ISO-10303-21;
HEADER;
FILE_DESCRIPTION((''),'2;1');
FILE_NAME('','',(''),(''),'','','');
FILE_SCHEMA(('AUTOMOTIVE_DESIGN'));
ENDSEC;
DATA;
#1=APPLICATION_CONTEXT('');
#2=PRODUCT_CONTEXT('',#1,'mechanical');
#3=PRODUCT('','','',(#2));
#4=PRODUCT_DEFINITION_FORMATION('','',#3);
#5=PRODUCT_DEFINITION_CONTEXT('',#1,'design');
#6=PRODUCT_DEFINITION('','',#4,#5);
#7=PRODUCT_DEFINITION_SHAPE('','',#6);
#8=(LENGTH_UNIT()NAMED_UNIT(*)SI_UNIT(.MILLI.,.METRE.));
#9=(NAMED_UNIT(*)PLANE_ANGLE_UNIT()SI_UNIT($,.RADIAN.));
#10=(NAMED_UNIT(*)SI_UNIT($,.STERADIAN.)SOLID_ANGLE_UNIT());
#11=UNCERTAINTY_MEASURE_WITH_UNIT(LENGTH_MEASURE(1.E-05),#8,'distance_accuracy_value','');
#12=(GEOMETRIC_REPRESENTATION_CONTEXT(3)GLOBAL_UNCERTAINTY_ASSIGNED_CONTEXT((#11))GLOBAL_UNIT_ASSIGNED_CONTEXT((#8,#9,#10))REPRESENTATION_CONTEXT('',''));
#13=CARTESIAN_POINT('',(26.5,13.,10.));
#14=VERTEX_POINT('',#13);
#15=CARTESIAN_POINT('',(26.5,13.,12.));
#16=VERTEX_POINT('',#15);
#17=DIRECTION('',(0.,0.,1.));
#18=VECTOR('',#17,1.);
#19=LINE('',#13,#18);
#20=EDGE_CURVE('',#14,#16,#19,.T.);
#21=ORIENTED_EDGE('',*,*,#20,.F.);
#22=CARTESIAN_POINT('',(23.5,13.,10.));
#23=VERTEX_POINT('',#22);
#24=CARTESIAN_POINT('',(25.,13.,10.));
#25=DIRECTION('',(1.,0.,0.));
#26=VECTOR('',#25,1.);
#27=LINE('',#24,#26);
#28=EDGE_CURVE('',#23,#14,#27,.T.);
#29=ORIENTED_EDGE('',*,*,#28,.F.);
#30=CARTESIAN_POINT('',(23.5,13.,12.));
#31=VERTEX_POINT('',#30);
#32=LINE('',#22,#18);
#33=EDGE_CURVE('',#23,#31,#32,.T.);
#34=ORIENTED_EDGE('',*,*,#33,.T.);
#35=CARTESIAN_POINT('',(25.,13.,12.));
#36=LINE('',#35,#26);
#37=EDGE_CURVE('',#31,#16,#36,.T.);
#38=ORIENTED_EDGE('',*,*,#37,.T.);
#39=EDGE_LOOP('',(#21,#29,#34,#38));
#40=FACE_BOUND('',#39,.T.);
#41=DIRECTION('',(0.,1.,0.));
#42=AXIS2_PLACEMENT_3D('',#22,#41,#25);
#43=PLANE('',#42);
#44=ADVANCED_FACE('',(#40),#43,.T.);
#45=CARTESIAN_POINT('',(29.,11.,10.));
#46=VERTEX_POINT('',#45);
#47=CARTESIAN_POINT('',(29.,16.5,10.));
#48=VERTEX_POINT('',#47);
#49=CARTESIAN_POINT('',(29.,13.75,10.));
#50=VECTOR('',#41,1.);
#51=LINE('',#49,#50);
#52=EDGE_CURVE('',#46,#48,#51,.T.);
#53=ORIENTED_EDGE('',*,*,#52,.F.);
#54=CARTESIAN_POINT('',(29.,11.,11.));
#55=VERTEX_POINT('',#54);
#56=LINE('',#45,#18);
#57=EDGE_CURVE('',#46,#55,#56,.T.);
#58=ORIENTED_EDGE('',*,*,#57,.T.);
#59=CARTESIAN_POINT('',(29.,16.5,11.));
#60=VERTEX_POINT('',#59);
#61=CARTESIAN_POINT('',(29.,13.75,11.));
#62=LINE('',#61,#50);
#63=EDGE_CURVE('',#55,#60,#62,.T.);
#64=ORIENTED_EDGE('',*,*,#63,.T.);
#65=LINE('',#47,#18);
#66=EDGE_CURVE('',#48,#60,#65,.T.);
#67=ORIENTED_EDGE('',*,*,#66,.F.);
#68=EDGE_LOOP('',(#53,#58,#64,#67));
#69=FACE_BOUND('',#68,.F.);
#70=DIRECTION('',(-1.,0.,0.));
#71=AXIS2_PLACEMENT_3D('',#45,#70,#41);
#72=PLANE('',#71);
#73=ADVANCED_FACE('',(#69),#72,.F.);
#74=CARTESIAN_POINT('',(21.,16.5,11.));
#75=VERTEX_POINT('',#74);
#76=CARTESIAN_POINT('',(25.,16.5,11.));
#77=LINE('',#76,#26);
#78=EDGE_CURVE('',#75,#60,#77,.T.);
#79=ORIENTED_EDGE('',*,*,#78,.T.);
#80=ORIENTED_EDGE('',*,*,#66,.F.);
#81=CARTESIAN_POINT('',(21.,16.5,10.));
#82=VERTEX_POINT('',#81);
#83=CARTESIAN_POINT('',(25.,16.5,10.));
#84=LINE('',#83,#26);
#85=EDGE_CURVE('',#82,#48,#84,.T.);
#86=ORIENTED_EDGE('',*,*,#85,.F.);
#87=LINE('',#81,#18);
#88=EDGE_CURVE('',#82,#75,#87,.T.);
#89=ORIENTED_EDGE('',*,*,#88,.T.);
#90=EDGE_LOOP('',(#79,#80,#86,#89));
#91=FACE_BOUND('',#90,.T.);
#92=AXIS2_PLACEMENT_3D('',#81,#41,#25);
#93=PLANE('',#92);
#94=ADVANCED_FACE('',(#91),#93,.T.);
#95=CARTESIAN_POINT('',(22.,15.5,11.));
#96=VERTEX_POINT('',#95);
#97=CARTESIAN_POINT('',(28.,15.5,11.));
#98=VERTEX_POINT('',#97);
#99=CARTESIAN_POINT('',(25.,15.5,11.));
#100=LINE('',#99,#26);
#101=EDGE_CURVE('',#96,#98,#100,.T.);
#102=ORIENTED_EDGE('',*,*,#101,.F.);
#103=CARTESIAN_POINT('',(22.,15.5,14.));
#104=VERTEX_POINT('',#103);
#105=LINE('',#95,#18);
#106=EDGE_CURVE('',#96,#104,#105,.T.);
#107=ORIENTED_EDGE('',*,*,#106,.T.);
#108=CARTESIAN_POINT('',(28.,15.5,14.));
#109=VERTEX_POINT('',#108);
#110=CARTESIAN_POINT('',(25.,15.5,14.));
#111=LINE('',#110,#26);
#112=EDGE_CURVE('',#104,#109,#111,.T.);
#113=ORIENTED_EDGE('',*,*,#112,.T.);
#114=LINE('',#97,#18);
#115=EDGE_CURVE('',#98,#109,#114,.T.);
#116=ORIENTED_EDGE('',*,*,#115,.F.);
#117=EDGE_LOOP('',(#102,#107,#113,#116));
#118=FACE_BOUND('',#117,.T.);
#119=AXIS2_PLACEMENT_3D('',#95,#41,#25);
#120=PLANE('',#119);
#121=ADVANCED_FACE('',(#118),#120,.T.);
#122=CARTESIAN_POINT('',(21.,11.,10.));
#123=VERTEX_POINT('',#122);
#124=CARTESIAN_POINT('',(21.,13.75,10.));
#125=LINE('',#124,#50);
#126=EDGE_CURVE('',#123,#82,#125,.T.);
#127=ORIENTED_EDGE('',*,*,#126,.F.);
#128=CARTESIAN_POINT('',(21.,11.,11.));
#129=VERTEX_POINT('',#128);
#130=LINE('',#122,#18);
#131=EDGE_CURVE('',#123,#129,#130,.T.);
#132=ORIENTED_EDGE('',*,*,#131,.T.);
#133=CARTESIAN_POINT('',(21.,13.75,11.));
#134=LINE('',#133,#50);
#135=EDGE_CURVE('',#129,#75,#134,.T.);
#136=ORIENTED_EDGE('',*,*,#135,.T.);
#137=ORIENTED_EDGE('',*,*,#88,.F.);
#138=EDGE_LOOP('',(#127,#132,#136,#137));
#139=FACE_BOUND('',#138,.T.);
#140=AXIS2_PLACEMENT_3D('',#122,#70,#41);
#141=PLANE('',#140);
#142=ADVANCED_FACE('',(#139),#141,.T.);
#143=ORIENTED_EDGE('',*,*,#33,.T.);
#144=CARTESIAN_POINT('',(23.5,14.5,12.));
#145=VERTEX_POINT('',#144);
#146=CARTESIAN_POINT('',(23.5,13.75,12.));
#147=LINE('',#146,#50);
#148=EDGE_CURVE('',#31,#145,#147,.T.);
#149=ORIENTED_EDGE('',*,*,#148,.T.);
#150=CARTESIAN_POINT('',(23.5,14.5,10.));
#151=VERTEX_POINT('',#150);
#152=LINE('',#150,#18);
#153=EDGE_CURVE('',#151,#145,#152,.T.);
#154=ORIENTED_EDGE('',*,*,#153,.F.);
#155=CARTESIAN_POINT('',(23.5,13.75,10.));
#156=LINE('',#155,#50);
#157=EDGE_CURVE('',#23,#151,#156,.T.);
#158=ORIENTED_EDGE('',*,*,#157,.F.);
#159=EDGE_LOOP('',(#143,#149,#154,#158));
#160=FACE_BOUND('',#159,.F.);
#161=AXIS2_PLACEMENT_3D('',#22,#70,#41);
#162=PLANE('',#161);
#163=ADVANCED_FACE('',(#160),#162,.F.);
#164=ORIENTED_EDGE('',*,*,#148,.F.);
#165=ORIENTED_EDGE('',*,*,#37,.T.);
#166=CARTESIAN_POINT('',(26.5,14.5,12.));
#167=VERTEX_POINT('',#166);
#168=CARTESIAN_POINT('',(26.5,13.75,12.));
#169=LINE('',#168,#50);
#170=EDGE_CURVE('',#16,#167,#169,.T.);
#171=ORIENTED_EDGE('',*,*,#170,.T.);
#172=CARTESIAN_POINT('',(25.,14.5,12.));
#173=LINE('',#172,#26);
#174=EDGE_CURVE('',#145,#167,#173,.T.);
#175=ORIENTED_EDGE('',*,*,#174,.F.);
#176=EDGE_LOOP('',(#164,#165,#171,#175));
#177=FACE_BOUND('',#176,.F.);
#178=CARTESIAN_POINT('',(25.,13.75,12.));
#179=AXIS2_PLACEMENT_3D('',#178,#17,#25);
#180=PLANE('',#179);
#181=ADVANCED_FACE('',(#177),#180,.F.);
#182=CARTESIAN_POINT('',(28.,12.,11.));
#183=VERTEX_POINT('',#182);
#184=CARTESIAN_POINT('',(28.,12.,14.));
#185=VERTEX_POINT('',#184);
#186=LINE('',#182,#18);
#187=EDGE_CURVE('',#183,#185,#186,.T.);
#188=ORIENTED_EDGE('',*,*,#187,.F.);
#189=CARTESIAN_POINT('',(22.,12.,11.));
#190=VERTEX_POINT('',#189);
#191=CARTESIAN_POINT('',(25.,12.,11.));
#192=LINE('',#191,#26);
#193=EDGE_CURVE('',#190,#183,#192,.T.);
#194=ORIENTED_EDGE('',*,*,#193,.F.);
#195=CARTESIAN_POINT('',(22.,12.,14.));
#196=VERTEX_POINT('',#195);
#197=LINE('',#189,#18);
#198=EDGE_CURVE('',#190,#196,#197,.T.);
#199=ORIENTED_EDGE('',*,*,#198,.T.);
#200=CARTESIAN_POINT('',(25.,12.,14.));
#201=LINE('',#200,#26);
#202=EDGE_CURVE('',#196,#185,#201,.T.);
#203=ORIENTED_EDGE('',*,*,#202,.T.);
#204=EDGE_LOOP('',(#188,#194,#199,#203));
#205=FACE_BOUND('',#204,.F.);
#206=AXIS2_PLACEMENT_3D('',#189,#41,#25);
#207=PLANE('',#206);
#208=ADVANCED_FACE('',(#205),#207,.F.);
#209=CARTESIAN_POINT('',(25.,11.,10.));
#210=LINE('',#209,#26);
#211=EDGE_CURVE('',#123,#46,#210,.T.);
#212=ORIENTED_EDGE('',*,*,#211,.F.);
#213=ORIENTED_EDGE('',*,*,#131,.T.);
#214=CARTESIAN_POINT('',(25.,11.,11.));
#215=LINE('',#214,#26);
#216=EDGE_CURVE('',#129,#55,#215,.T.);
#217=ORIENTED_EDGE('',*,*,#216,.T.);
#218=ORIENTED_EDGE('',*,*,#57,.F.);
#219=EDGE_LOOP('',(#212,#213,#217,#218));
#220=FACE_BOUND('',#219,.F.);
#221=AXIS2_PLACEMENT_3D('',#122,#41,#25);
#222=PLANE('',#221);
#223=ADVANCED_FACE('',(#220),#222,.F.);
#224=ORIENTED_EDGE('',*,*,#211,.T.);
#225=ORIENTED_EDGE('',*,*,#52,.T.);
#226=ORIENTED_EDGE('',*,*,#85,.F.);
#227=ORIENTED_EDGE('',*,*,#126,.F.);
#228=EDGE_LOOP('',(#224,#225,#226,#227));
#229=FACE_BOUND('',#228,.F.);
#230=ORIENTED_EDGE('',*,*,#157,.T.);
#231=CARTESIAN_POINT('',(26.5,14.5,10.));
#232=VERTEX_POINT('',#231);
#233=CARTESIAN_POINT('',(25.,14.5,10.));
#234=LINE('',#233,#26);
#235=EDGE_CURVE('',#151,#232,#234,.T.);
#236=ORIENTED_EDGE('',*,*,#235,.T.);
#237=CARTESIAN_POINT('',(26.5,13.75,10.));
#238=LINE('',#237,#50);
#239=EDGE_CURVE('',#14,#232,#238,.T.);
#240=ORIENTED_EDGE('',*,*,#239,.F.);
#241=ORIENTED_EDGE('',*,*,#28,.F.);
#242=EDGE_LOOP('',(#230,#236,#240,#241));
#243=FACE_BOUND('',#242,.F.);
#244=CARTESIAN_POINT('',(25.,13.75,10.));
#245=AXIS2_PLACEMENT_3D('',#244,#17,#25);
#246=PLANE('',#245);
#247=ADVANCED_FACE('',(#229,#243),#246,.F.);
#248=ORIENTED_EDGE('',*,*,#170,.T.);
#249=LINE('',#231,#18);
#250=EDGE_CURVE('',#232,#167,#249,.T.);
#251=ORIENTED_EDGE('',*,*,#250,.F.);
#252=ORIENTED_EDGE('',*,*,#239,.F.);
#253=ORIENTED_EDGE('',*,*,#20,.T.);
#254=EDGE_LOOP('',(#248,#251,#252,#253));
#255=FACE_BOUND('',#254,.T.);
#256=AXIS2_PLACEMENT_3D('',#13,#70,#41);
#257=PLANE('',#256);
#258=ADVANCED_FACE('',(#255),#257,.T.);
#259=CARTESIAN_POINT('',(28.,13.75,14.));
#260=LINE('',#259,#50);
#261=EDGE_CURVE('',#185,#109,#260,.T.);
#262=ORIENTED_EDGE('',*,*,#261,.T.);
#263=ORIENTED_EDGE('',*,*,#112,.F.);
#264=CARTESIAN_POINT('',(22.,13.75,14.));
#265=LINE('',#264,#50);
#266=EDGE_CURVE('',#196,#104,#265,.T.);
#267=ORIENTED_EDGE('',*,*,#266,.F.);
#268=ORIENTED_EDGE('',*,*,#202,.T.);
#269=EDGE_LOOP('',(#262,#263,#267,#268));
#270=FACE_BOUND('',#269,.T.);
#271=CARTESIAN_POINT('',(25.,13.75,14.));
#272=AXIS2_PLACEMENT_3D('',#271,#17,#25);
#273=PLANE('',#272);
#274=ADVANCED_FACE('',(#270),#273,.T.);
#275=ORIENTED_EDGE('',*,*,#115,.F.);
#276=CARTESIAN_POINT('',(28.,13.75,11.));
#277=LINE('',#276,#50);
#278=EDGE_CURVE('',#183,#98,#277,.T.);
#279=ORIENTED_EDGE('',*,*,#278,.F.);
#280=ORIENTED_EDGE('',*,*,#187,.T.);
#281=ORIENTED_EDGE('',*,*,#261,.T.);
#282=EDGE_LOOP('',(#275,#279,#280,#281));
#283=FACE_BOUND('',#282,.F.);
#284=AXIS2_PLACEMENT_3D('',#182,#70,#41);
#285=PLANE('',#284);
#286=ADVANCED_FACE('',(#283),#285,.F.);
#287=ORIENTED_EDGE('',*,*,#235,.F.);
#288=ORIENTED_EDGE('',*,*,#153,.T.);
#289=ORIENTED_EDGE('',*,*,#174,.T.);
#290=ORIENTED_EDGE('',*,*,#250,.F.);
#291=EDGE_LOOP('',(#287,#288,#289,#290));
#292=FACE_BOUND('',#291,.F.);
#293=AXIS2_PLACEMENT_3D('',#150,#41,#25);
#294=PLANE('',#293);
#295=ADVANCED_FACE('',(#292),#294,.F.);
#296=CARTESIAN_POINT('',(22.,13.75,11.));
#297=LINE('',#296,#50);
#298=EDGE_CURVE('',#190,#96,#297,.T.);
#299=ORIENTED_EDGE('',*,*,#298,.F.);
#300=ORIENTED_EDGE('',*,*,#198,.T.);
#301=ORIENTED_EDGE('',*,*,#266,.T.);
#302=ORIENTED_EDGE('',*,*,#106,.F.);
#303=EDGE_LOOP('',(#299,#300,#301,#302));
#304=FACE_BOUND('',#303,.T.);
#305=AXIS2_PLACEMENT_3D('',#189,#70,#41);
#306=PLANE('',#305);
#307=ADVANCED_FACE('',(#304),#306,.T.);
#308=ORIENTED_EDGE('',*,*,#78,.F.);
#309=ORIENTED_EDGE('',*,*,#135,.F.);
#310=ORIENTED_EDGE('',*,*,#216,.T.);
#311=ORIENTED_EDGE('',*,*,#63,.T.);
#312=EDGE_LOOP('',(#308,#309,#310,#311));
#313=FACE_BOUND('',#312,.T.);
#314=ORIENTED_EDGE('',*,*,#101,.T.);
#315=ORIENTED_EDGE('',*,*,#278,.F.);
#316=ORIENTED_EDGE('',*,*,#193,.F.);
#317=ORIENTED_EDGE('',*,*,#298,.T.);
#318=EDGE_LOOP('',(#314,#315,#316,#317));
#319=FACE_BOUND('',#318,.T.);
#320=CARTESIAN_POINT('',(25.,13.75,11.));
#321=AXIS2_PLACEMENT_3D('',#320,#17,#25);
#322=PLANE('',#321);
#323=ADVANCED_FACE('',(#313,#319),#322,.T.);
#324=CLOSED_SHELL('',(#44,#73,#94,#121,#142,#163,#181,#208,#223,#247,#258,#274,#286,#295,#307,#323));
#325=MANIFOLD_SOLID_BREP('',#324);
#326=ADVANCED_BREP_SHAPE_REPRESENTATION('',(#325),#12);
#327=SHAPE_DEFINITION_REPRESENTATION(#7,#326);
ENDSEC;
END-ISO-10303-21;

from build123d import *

# Parameters (mm, degrees)
BOX017_W     = 3
BOX017_H     = 1.5
BOX017_DEPTH = 2
BOX016_W     = 8
BOX016_H     = 5.5
BOX016_DEPTH = 1
BOX015_W     = 6
BOX015_H     = 3.5
BOX015_DEPTH = 3


with BuildPart() as cube015:
    # Box017 → Box017 (new body)
    with BuildSketch(Plane(origin=(23.5, 13, 10), x_dir=(1, 0, 0), z_dir=(0, 0, 1))):
        with Locations((1.5, 0.75)):
            Rectangle(BOX017_W, BOX017_H)
    extrude(amount=BOX017_DEPTH)


with BuildPart() as cube014:
    # Box016 → Box016 (new body)
    with BuildSketch(Plane(origin=(21, 11, 10), x_dir=(1, 0, 0), z_dir=(0, 0, 1))):
        with Locations((4, 2.75)):
            Rectangle(BOX016_W, BOX016_H)
    extrude(amount=BOX016_DEPTH)


with BuildPart() as membrane_sw002:
    # Box015 → Box015 (new body)
    with BuildSketch(Plane(origin=(22, 12, 11), x_dir=(1, 0, 0), z_dir=(0, 0, 1))):
        with Locations((3, 1.75)):
            Rectangle(BOX015_W, BOX015_H)
    extrude(amount=BOX015_DEPTH)

    # Fusion004: union Cube014
    add(cube014.part)

    # Cut004: cut Cube015
    add(cube015.part, mode=Mode.SUBTRACT)


solid = membrane_sw002.part
